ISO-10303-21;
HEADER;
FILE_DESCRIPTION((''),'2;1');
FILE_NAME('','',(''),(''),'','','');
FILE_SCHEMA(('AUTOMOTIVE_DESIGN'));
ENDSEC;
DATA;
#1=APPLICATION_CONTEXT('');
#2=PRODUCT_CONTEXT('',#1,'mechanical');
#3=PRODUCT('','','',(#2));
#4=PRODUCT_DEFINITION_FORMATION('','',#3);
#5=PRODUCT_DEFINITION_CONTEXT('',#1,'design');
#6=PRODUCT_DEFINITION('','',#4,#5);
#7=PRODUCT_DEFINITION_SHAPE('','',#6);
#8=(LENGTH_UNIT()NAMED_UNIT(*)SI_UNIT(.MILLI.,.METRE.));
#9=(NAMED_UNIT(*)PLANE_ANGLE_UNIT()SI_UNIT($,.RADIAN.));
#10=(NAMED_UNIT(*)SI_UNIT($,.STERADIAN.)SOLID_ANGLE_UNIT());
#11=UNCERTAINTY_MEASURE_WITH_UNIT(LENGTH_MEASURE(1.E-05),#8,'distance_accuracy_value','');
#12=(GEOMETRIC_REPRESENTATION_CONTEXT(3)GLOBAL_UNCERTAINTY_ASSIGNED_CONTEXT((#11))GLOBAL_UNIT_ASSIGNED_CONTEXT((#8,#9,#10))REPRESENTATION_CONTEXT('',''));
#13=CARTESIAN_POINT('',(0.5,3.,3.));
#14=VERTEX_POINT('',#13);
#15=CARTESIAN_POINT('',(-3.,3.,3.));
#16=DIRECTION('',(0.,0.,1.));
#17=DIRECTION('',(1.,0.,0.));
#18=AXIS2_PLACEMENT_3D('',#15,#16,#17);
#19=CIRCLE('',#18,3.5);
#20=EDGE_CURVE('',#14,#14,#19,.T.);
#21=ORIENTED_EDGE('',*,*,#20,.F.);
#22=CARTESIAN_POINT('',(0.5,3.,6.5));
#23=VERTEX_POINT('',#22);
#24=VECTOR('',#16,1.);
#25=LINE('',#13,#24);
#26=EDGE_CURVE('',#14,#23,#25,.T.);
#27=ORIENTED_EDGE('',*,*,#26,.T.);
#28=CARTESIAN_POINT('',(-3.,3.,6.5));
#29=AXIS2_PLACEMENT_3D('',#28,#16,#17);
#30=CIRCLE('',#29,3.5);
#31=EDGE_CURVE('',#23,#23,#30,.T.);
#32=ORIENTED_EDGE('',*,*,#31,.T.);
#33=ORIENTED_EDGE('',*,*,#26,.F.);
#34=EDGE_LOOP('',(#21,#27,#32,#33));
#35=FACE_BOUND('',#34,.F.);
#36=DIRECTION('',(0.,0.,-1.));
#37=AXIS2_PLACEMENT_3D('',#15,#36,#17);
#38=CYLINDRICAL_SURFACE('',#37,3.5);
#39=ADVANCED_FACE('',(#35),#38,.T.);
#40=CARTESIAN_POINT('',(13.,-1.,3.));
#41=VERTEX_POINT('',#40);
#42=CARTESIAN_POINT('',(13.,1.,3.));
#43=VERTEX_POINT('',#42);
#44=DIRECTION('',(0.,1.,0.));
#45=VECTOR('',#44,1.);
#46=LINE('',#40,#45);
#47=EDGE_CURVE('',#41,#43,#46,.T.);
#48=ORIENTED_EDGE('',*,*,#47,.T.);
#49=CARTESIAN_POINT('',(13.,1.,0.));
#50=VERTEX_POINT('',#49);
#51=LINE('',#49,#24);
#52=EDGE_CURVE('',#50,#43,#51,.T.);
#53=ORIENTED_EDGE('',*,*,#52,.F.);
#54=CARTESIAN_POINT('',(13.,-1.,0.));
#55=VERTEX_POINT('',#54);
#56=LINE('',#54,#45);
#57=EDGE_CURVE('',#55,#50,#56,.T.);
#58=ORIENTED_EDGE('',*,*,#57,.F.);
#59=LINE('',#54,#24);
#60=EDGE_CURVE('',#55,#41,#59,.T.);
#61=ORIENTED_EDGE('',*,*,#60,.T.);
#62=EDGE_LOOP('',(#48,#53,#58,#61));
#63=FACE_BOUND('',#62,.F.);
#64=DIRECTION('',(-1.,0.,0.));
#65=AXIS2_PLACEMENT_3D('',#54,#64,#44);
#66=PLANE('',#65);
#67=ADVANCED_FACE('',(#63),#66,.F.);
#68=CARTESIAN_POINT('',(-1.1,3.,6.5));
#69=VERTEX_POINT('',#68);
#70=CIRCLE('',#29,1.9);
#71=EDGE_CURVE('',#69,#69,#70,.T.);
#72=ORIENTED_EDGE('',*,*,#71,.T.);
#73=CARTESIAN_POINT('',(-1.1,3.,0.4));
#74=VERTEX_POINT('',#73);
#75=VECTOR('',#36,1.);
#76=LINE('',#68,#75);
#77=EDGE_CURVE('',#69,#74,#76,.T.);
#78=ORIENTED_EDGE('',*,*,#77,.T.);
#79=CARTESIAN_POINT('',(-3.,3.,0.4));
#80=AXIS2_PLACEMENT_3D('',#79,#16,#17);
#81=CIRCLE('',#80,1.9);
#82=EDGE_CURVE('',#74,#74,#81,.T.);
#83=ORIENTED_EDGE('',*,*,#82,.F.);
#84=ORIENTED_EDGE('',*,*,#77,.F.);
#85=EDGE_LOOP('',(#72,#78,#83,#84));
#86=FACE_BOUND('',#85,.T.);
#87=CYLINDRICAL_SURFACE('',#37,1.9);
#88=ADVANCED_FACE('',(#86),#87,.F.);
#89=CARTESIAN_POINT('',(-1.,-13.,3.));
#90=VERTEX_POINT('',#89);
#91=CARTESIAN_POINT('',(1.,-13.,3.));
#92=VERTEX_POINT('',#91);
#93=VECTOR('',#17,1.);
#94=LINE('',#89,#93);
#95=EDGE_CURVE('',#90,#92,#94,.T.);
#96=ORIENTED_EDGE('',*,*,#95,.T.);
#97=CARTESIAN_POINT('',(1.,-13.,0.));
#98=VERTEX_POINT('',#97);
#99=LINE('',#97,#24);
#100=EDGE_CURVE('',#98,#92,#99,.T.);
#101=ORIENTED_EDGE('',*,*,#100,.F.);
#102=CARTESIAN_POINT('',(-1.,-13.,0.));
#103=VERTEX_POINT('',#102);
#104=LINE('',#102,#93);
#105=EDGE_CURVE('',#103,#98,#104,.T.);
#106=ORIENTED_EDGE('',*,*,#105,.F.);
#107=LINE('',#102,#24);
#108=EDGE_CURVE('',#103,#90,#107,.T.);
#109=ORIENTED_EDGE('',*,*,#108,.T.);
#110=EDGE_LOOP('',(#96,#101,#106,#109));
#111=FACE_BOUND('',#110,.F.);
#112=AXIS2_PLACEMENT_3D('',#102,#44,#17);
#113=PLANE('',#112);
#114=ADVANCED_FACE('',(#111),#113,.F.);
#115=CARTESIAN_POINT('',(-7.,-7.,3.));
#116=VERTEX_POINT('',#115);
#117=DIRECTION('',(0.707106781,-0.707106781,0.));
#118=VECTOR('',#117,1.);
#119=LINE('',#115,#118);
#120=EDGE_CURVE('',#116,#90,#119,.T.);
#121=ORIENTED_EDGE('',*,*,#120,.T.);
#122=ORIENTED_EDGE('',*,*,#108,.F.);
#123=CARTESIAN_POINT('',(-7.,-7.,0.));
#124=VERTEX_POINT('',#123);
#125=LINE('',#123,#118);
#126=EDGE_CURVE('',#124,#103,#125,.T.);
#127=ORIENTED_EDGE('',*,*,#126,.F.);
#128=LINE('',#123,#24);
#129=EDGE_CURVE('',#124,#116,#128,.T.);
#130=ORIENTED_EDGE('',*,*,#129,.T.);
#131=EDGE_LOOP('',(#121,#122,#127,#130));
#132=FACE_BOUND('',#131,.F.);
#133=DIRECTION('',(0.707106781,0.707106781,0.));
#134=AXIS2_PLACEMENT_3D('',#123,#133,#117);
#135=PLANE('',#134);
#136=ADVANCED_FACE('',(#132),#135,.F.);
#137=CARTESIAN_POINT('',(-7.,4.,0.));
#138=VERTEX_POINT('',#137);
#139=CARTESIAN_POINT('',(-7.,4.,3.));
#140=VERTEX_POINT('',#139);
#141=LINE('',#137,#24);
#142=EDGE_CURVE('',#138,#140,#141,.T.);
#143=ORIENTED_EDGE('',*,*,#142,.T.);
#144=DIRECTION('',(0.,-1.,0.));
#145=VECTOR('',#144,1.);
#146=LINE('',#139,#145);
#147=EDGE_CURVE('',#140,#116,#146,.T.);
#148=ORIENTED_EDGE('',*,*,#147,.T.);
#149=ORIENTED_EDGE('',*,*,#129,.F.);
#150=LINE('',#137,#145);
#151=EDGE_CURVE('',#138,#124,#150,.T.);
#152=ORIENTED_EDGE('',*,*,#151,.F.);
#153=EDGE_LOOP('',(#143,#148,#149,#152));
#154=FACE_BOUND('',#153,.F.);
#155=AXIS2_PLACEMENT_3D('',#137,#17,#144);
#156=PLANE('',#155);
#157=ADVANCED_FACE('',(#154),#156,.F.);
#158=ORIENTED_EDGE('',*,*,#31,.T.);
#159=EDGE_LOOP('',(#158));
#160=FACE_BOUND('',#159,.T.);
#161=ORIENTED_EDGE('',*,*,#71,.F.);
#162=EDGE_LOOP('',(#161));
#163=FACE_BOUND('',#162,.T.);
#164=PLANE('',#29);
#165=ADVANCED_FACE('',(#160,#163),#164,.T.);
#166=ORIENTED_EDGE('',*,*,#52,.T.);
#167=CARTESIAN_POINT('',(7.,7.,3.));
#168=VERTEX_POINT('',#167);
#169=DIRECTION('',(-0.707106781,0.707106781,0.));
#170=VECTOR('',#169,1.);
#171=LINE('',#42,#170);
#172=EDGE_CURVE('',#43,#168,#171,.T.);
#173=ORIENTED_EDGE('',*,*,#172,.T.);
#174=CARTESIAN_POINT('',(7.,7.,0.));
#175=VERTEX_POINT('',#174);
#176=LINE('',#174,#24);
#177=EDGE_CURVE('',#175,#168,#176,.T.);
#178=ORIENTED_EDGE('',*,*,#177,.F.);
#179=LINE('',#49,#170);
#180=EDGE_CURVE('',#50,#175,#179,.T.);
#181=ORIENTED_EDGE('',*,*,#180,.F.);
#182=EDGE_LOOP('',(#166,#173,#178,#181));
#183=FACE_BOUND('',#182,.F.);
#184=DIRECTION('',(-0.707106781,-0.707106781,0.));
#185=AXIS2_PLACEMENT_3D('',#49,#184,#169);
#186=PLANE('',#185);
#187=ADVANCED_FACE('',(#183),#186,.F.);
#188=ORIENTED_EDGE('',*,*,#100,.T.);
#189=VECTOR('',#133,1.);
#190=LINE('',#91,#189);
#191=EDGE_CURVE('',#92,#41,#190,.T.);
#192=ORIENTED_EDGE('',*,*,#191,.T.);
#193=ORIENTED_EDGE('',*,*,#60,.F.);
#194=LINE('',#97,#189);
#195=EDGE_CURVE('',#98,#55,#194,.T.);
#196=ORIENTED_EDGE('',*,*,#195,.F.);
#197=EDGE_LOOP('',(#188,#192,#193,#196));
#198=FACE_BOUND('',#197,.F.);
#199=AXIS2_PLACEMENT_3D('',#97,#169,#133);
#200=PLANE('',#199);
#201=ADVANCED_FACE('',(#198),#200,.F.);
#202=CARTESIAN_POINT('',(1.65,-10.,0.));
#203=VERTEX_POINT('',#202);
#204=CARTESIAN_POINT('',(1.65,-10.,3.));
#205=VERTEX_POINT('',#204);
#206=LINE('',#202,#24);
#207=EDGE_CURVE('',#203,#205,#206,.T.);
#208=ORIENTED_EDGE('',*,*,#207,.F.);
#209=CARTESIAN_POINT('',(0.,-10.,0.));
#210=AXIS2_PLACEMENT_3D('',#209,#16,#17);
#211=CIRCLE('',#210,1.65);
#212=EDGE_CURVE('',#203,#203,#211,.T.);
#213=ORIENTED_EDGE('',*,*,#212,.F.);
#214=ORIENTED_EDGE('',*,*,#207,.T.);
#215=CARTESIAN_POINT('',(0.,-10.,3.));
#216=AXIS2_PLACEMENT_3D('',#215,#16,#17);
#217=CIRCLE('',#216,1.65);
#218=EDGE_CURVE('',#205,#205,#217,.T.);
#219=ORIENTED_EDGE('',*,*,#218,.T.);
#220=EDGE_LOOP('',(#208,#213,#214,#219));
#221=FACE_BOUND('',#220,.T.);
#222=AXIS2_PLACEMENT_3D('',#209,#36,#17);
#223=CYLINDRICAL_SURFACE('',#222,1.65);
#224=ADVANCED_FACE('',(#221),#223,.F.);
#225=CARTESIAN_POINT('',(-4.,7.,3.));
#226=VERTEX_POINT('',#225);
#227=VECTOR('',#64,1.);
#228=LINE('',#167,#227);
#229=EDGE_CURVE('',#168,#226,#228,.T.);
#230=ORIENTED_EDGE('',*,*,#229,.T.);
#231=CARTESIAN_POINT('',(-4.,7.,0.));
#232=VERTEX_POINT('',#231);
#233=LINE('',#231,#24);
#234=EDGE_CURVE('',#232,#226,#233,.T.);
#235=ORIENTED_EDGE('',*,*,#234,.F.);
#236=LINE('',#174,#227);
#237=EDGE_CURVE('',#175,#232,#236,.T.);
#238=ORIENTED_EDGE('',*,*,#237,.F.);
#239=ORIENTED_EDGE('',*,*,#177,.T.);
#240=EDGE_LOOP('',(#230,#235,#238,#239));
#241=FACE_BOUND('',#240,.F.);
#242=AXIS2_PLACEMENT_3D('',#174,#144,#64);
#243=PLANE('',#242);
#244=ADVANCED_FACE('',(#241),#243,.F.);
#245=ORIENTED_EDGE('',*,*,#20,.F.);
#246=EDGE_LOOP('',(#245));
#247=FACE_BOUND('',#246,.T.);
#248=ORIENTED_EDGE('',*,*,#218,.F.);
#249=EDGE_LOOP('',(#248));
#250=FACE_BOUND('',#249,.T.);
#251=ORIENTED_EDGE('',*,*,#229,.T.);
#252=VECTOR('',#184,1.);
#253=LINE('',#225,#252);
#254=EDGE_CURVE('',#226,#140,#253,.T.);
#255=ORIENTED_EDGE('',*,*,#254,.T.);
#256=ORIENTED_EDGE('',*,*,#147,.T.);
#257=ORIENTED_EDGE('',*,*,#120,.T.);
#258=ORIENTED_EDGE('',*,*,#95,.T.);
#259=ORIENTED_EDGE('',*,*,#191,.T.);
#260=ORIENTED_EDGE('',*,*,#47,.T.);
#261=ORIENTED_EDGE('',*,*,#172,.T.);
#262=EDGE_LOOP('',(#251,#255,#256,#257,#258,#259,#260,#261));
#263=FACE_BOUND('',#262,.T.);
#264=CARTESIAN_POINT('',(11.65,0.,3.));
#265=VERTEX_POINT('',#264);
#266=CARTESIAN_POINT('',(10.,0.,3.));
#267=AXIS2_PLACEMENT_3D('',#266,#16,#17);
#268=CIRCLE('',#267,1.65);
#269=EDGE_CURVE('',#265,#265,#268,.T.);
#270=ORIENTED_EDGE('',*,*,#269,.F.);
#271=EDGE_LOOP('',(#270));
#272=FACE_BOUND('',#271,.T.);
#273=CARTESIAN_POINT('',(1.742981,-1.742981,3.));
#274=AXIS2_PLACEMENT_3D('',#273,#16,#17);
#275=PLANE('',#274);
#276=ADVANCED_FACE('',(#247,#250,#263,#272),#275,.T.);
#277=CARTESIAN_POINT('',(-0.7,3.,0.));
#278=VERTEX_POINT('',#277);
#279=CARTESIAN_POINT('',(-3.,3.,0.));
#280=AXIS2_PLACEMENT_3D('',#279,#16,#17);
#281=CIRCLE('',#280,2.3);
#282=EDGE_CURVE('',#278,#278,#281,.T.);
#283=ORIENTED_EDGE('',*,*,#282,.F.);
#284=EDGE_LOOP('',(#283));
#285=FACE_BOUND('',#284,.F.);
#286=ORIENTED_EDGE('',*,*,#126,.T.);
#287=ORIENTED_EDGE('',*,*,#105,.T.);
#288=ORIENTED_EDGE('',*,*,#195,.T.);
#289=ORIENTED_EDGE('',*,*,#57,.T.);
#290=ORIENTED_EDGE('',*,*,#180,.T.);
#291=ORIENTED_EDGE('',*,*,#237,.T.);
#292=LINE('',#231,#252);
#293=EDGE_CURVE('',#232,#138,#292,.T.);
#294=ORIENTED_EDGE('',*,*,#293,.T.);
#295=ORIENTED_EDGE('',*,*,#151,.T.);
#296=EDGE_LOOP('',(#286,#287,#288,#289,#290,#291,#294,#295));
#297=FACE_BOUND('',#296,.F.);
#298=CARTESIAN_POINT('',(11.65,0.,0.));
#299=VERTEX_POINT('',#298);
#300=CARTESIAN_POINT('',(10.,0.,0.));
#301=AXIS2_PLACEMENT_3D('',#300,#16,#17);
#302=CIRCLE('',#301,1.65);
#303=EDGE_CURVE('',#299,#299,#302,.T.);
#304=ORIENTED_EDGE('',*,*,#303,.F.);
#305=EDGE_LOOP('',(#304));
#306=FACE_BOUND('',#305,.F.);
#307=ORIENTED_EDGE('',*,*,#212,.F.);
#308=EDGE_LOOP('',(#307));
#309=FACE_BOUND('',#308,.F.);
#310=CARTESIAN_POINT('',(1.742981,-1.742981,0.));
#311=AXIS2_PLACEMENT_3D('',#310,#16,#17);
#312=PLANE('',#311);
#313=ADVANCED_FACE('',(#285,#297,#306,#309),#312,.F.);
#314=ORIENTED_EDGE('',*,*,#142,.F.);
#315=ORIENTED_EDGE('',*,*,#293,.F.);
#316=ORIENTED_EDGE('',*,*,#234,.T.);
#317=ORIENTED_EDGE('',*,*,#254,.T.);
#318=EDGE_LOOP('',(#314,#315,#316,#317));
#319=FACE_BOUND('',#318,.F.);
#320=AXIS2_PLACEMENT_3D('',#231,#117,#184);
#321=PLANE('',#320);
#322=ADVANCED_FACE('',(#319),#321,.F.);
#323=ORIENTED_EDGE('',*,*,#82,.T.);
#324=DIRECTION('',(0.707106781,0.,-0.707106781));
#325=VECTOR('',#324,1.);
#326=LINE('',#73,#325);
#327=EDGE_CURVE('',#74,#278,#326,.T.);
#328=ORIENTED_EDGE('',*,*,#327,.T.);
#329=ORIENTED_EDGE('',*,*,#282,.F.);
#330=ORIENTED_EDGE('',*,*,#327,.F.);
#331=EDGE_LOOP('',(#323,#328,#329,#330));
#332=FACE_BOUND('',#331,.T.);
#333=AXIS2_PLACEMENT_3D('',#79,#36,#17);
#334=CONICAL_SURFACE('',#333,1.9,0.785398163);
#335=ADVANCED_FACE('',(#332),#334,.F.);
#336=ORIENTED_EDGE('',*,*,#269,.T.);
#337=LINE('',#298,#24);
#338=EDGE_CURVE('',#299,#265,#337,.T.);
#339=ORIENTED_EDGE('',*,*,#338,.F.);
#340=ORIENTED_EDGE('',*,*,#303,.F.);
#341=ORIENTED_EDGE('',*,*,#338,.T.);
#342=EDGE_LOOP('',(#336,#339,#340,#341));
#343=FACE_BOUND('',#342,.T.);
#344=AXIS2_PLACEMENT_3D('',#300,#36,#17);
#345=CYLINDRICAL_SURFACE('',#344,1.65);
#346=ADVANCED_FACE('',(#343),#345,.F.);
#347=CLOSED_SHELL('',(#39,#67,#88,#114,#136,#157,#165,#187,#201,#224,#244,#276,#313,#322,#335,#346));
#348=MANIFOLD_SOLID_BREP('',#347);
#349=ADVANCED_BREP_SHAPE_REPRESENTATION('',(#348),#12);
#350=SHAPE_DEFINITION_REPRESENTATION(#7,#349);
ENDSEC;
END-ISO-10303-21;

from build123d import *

# Parameters (mm, degrees)
SKETCH_R      = 1.65
SKETCH_R_2    = 1.9
PAD_DEPTH     = 3
SKETCH001_R   = 3.5
SKETCH001_R_2 = 1.9
PAD001_DEPTH  = 3.5
CHAMFER_SIZE  = 0.4


with BuildPart() as part:
    # Sketch → Pad (new body)
    with BuildSketch(Plane.XY):
        Polygon((-1, -13), (1, -13), (13, -1), (13, 1), (7, 7), (-4, 7), (-7, 4), (-7, -7), align=None)
        with Locations((0, -10)):
            Circle(SKETCH_R, mode=Mode.SUBTRACT)
        with Locations((10, 0)):
            Circle(SKETCH_R, mode=Mode.SUBTRACT)
        with Locations((-3, 3)):
            Circle(SKETCH_R_2, mode=Mode.SUBTRACT)
    extrude(amount=PAD_DEPTH)

    # Sketch001 (on Face13 of Pad) → Pad001 (join)
    with BuildSketch(Plane.XY.offset(3)):
        with Locations((-3, 3)):
            Circle(SKETCH001_R)
        with Locations((-3, 3)):
            Circle(SKETCH001_R_2, mode=Mode.SUBTRACT)
    extrude(amount=PAD001_DEPTH)

    # Chamfer
    chamfer_edges = [part.edges().sort_by_distance(p)[0] for p in [
        (-4.9, 3, 0),
    ]]
    chamfer(chamfer_edges, length=CHAMFER_SIZE)


solid = part.part
